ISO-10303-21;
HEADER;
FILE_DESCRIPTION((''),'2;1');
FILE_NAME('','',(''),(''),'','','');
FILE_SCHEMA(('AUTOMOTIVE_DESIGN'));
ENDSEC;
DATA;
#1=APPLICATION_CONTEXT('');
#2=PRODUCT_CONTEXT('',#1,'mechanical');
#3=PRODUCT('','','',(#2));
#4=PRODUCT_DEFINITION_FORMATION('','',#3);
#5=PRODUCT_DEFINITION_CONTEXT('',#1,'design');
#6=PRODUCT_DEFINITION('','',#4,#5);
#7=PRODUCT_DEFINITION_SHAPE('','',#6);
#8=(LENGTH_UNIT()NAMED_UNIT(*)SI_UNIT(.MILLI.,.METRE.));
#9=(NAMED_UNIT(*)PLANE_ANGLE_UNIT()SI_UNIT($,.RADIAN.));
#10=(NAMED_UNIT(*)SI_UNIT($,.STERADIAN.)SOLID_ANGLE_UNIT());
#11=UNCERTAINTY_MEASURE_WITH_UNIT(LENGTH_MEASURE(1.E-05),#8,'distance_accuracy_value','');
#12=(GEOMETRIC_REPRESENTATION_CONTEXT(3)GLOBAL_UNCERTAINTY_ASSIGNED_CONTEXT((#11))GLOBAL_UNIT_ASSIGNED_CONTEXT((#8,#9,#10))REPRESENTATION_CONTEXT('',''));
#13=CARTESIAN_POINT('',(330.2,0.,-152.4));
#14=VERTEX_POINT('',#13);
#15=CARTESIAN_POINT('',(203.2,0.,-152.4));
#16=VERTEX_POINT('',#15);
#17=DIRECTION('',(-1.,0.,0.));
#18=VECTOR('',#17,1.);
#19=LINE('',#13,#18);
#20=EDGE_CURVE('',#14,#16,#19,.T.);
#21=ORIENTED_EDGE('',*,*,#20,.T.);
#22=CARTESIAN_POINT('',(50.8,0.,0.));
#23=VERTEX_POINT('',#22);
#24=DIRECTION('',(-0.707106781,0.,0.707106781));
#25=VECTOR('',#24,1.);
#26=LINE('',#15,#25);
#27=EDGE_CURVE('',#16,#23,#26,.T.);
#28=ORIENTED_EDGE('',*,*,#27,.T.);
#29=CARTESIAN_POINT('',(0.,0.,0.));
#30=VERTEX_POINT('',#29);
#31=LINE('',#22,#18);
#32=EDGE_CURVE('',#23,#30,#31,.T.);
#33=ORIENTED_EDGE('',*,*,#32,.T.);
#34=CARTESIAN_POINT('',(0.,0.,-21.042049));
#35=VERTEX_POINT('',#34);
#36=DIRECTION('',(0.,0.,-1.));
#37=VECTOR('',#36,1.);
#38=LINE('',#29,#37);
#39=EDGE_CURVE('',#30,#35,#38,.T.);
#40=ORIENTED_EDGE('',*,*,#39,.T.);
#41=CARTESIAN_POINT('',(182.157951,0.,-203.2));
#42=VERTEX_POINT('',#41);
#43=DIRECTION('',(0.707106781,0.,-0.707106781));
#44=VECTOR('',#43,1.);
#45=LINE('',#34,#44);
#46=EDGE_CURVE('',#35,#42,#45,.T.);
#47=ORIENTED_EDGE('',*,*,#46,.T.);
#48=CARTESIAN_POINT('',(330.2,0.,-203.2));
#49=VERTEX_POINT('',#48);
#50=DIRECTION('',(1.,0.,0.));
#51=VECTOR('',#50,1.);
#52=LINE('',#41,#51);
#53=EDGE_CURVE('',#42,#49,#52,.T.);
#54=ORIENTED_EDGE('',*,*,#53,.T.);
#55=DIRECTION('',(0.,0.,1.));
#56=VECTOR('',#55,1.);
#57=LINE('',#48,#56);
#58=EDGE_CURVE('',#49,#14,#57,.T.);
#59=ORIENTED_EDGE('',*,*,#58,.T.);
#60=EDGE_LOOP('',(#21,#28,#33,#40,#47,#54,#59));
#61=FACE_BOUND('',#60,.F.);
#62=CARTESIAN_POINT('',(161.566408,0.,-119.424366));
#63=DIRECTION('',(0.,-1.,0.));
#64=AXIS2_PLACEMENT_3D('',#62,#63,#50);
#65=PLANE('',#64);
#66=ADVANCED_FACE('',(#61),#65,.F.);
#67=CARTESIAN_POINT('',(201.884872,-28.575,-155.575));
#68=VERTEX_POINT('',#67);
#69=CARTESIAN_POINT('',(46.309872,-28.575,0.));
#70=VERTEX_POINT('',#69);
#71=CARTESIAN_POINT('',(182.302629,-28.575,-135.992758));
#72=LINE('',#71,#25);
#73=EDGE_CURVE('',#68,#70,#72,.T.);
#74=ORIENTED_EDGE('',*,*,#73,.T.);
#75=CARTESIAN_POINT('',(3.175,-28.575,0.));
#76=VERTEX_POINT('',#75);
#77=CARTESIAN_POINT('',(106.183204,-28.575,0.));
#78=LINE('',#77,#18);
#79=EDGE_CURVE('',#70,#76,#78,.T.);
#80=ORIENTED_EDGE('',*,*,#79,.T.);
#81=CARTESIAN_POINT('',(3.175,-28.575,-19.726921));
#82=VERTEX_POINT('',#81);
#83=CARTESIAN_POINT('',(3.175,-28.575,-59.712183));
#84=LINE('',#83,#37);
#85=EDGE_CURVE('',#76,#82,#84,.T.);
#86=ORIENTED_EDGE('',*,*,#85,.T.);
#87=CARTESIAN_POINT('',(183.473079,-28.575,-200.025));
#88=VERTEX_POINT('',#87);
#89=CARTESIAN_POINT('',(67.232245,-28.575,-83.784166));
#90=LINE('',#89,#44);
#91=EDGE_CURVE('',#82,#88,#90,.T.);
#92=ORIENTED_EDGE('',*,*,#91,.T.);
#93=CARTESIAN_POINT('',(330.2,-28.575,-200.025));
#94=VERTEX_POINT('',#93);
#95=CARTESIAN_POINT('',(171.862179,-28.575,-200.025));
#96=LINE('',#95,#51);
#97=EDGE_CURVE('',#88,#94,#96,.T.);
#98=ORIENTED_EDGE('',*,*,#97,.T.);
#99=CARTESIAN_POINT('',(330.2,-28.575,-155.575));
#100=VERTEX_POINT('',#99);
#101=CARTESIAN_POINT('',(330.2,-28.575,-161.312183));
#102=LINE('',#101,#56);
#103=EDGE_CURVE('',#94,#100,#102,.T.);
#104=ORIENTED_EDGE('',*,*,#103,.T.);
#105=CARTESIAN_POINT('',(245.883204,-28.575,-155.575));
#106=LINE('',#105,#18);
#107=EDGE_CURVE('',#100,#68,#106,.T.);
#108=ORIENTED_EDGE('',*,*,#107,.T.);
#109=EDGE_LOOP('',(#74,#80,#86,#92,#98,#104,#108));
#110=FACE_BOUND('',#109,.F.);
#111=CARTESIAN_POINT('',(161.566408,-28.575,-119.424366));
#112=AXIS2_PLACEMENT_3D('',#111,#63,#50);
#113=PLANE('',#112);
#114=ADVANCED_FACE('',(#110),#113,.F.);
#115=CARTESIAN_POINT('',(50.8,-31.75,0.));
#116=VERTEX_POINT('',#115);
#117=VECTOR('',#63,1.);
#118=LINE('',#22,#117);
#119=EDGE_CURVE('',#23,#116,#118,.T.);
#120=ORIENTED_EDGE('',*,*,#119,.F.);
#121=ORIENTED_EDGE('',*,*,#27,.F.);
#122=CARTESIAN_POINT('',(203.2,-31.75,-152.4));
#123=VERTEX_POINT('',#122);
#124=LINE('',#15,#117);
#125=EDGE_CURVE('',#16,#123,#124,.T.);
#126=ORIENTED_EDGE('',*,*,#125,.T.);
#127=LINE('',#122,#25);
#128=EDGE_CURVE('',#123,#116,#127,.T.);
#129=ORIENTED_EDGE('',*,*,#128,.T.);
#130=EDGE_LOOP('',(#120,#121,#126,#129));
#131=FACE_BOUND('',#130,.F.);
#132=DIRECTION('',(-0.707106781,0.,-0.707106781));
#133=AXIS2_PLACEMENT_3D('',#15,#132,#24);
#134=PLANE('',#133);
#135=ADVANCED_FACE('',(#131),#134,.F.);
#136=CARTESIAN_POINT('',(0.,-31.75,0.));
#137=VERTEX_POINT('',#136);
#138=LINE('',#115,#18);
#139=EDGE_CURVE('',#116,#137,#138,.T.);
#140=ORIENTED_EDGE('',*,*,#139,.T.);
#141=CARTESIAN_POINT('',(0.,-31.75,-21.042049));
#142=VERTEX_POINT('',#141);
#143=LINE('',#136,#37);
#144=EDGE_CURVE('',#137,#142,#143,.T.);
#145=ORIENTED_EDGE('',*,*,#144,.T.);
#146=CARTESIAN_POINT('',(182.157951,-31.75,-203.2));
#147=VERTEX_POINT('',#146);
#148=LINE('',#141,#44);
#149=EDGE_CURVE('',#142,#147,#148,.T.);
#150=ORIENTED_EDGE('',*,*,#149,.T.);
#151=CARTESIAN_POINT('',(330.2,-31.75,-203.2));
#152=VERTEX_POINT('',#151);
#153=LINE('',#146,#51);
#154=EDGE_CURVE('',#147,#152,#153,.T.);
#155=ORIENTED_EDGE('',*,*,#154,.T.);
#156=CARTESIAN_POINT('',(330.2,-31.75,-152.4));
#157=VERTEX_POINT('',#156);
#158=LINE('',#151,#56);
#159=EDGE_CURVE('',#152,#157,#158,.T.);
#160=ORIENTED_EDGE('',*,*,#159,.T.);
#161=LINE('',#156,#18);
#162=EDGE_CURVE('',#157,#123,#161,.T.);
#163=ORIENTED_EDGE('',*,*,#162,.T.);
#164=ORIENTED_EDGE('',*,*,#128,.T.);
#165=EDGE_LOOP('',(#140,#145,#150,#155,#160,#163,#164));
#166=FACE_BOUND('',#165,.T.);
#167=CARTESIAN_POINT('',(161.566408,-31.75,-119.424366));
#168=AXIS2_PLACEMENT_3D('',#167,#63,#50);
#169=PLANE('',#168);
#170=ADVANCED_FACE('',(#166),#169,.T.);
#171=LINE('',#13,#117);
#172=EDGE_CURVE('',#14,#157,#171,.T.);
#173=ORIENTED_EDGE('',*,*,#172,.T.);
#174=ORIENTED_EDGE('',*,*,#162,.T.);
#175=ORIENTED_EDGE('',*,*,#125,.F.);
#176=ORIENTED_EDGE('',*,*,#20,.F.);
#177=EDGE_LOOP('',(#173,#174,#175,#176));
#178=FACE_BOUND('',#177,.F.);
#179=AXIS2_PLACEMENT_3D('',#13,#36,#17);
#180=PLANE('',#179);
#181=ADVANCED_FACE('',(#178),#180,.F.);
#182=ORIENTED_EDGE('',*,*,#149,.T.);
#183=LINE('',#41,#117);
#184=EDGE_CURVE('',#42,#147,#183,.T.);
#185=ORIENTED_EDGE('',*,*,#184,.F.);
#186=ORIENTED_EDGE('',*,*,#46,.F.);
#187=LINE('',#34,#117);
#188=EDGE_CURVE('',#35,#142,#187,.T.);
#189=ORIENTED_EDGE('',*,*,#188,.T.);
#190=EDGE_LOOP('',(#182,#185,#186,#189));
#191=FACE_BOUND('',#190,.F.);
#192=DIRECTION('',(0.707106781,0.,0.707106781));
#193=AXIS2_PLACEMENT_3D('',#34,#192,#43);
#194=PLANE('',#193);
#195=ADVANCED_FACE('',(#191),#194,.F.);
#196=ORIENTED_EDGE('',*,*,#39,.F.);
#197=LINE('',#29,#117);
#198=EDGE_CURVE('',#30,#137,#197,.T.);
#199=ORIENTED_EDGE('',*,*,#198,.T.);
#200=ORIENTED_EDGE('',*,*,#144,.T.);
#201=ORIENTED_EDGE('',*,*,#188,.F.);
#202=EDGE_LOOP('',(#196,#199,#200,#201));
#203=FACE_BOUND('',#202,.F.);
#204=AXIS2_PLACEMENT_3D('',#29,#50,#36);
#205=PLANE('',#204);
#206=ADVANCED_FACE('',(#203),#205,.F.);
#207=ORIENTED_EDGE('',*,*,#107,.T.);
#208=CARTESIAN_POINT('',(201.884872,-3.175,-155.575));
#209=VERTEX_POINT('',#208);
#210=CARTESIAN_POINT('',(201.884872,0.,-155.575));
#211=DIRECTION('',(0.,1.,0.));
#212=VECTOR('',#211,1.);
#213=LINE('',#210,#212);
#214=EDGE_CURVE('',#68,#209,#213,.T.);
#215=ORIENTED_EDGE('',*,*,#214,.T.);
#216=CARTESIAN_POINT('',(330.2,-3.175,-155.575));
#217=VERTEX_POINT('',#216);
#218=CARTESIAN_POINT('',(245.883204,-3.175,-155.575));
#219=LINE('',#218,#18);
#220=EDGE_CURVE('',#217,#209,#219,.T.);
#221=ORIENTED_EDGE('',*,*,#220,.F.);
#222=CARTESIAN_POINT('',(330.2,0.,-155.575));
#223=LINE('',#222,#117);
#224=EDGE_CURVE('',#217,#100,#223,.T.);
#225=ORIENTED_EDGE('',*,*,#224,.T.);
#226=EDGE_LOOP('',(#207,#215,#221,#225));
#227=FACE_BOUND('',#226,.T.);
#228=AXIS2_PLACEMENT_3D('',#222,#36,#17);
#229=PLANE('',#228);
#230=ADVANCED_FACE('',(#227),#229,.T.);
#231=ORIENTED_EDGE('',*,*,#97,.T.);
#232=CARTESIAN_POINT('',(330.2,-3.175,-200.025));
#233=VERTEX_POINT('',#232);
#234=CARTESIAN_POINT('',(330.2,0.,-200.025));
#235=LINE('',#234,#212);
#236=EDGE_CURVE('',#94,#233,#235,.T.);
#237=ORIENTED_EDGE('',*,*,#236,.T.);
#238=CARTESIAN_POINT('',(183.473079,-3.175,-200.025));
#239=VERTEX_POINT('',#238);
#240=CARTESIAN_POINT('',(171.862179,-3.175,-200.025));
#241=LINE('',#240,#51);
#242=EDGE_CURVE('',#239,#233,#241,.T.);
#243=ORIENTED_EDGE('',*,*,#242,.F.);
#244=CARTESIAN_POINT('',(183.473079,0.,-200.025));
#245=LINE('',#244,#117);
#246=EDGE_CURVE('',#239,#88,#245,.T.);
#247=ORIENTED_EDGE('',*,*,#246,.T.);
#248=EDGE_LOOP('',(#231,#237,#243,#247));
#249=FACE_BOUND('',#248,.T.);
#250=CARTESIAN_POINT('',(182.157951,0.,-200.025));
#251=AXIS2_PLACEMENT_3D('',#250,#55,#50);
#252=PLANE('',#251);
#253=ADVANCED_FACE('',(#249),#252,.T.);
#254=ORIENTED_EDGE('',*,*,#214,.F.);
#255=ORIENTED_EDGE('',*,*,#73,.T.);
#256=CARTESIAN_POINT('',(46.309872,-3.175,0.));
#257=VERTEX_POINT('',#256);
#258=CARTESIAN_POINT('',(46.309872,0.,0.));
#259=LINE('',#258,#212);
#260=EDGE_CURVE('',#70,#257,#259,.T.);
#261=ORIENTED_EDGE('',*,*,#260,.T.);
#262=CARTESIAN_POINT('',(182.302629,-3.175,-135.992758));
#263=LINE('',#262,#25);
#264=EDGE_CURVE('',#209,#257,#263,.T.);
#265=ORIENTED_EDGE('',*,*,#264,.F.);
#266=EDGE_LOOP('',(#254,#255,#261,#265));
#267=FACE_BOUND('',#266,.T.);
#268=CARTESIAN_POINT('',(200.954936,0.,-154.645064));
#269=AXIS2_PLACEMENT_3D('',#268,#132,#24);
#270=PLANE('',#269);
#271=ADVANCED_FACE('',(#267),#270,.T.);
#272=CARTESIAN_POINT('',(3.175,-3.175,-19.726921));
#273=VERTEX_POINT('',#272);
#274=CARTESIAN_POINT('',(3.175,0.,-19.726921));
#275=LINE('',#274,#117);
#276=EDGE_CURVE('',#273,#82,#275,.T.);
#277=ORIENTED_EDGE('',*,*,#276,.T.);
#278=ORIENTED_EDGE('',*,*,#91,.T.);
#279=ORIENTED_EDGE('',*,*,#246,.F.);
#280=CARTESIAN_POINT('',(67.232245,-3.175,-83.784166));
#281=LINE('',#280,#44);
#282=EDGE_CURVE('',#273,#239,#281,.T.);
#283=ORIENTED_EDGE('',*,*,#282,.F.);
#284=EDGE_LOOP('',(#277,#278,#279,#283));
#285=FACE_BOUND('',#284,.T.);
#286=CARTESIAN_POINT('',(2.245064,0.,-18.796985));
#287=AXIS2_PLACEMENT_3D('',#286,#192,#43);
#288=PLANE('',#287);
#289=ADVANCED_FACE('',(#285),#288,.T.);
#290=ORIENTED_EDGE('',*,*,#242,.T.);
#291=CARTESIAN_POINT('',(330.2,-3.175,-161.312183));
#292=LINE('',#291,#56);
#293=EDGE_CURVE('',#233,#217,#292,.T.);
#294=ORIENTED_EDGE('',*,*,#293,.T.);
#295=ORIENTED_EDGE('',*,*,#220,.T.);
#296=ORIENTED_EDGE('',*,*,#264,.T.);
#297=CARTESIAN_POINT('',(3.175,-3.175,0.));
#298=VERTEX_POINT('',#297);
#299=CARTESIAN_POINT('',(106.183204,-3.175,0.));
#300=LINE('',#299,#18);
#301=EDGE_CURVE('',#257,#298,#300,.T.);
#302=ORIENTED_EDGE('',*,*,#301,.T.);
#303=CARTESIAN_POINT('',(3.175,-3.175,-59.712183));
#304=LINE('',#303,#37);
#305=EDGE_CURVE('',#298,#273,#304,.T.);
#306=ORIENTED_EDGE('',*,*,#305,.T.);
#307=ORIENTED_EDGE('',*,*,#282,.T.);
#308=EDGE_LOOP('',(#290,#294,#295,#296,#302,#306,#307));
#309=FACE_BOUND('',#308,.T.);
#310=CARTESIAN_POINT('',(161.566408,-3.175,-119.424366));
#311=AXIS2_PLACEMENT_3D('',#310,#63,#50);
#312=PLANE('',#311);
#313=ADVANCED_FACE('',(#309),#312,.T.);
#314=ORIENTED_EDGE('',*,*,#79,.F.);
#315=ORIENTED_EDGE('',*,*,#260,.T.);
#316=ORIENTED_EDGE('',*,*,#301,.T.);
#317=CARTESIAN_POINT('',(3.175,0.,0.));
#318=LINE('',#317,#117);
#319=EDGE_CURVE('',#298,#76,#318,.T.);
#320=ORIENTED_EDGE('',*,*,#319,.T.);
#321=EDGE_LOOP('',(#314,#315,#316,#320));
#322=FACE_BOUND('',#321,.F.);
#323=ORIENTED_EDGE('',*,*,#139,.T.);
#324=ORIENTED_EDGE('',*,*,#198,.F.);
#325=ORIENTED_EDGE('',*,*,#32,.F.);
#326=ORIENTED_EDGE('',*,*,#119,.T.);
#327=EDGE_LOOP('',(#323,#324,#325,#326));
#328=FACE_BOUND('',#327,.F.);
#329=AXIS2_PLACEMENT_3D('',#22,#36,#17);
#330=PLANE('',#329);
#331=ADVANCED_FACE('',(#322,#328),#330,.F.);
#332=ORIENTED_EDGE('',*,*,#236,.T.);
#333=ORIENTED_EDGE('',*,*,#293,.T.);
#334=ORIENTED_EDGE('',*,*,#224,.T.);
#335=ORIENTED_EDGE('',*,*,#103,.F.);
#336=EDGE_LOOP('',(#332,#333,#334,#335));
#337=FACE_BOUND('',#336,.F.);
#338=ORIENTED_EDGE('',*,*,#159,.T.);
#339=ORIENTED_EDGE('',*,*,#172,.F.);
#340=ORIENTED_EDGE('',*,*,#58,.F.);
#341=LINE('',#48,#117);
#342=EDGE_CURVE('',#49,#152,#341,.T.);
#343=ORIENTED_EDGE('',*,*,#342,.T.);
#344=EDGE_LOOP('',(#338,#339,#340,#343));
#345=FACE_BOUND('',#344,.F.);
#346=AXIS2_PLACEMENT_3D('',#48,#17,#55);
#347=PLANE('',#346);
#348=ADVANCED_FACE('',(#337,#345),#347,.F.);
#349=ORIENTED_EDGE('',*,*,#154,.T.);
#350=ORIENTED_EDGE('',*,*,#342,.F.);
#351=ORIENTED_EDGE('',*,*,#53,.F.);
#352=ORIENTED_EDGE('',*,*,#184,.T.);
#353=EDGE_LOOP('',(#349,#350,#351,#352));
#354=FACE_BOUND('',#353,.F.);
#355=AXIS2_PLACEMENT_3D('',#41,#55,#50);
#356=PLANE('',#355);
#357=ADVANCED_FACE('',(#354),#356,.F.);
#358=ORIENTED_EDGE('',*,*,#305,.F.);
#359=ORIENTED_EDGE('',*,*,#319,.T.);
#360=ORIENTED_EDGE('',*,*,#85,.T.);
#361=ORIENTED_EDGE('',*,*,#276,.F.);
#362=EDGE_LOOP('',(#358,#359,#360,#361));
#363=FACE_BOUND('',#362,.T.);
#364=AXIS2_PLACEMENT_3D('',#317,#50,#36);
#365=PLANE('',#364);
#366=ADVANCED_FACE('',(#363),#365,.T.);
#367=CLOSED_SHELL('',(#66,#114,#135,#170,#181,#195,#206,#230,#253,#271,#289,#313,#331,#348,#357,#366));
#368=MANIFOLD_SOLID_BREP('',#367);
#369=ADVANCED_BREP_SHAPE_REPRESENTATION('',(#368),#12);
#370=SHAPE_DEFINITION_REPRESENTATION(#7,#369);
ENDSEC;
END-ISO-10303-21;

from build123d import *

# Parameters (mm, degrees)
F1_DEPTH = 31.75
F2_T     = -3.175


with BuildPart() as f1:
    # F0 (on Front) → F1 (new body)
    with BuildSketch(Plane.XZ):
        Polygon((50.8, 0), (0, 0), (0, -21.0420489686), (182.1579510314, -203.2), (330.2, -203.2), (330.2, -152.4), (203.2, -152.4), align=None)
    extrude(amount=F1_DEPTH)

    # F2
    f2_openings = [f1.faces().sort_by_distance(p)[0] for p in [
        (25.4, -15.875, 0),
        (330.2, -15.875, -177.8),
    ]]
    offset(amount=F2_T, openings=f2_openings, kind=Kind.INTERSECTION)


solid = f1.part
